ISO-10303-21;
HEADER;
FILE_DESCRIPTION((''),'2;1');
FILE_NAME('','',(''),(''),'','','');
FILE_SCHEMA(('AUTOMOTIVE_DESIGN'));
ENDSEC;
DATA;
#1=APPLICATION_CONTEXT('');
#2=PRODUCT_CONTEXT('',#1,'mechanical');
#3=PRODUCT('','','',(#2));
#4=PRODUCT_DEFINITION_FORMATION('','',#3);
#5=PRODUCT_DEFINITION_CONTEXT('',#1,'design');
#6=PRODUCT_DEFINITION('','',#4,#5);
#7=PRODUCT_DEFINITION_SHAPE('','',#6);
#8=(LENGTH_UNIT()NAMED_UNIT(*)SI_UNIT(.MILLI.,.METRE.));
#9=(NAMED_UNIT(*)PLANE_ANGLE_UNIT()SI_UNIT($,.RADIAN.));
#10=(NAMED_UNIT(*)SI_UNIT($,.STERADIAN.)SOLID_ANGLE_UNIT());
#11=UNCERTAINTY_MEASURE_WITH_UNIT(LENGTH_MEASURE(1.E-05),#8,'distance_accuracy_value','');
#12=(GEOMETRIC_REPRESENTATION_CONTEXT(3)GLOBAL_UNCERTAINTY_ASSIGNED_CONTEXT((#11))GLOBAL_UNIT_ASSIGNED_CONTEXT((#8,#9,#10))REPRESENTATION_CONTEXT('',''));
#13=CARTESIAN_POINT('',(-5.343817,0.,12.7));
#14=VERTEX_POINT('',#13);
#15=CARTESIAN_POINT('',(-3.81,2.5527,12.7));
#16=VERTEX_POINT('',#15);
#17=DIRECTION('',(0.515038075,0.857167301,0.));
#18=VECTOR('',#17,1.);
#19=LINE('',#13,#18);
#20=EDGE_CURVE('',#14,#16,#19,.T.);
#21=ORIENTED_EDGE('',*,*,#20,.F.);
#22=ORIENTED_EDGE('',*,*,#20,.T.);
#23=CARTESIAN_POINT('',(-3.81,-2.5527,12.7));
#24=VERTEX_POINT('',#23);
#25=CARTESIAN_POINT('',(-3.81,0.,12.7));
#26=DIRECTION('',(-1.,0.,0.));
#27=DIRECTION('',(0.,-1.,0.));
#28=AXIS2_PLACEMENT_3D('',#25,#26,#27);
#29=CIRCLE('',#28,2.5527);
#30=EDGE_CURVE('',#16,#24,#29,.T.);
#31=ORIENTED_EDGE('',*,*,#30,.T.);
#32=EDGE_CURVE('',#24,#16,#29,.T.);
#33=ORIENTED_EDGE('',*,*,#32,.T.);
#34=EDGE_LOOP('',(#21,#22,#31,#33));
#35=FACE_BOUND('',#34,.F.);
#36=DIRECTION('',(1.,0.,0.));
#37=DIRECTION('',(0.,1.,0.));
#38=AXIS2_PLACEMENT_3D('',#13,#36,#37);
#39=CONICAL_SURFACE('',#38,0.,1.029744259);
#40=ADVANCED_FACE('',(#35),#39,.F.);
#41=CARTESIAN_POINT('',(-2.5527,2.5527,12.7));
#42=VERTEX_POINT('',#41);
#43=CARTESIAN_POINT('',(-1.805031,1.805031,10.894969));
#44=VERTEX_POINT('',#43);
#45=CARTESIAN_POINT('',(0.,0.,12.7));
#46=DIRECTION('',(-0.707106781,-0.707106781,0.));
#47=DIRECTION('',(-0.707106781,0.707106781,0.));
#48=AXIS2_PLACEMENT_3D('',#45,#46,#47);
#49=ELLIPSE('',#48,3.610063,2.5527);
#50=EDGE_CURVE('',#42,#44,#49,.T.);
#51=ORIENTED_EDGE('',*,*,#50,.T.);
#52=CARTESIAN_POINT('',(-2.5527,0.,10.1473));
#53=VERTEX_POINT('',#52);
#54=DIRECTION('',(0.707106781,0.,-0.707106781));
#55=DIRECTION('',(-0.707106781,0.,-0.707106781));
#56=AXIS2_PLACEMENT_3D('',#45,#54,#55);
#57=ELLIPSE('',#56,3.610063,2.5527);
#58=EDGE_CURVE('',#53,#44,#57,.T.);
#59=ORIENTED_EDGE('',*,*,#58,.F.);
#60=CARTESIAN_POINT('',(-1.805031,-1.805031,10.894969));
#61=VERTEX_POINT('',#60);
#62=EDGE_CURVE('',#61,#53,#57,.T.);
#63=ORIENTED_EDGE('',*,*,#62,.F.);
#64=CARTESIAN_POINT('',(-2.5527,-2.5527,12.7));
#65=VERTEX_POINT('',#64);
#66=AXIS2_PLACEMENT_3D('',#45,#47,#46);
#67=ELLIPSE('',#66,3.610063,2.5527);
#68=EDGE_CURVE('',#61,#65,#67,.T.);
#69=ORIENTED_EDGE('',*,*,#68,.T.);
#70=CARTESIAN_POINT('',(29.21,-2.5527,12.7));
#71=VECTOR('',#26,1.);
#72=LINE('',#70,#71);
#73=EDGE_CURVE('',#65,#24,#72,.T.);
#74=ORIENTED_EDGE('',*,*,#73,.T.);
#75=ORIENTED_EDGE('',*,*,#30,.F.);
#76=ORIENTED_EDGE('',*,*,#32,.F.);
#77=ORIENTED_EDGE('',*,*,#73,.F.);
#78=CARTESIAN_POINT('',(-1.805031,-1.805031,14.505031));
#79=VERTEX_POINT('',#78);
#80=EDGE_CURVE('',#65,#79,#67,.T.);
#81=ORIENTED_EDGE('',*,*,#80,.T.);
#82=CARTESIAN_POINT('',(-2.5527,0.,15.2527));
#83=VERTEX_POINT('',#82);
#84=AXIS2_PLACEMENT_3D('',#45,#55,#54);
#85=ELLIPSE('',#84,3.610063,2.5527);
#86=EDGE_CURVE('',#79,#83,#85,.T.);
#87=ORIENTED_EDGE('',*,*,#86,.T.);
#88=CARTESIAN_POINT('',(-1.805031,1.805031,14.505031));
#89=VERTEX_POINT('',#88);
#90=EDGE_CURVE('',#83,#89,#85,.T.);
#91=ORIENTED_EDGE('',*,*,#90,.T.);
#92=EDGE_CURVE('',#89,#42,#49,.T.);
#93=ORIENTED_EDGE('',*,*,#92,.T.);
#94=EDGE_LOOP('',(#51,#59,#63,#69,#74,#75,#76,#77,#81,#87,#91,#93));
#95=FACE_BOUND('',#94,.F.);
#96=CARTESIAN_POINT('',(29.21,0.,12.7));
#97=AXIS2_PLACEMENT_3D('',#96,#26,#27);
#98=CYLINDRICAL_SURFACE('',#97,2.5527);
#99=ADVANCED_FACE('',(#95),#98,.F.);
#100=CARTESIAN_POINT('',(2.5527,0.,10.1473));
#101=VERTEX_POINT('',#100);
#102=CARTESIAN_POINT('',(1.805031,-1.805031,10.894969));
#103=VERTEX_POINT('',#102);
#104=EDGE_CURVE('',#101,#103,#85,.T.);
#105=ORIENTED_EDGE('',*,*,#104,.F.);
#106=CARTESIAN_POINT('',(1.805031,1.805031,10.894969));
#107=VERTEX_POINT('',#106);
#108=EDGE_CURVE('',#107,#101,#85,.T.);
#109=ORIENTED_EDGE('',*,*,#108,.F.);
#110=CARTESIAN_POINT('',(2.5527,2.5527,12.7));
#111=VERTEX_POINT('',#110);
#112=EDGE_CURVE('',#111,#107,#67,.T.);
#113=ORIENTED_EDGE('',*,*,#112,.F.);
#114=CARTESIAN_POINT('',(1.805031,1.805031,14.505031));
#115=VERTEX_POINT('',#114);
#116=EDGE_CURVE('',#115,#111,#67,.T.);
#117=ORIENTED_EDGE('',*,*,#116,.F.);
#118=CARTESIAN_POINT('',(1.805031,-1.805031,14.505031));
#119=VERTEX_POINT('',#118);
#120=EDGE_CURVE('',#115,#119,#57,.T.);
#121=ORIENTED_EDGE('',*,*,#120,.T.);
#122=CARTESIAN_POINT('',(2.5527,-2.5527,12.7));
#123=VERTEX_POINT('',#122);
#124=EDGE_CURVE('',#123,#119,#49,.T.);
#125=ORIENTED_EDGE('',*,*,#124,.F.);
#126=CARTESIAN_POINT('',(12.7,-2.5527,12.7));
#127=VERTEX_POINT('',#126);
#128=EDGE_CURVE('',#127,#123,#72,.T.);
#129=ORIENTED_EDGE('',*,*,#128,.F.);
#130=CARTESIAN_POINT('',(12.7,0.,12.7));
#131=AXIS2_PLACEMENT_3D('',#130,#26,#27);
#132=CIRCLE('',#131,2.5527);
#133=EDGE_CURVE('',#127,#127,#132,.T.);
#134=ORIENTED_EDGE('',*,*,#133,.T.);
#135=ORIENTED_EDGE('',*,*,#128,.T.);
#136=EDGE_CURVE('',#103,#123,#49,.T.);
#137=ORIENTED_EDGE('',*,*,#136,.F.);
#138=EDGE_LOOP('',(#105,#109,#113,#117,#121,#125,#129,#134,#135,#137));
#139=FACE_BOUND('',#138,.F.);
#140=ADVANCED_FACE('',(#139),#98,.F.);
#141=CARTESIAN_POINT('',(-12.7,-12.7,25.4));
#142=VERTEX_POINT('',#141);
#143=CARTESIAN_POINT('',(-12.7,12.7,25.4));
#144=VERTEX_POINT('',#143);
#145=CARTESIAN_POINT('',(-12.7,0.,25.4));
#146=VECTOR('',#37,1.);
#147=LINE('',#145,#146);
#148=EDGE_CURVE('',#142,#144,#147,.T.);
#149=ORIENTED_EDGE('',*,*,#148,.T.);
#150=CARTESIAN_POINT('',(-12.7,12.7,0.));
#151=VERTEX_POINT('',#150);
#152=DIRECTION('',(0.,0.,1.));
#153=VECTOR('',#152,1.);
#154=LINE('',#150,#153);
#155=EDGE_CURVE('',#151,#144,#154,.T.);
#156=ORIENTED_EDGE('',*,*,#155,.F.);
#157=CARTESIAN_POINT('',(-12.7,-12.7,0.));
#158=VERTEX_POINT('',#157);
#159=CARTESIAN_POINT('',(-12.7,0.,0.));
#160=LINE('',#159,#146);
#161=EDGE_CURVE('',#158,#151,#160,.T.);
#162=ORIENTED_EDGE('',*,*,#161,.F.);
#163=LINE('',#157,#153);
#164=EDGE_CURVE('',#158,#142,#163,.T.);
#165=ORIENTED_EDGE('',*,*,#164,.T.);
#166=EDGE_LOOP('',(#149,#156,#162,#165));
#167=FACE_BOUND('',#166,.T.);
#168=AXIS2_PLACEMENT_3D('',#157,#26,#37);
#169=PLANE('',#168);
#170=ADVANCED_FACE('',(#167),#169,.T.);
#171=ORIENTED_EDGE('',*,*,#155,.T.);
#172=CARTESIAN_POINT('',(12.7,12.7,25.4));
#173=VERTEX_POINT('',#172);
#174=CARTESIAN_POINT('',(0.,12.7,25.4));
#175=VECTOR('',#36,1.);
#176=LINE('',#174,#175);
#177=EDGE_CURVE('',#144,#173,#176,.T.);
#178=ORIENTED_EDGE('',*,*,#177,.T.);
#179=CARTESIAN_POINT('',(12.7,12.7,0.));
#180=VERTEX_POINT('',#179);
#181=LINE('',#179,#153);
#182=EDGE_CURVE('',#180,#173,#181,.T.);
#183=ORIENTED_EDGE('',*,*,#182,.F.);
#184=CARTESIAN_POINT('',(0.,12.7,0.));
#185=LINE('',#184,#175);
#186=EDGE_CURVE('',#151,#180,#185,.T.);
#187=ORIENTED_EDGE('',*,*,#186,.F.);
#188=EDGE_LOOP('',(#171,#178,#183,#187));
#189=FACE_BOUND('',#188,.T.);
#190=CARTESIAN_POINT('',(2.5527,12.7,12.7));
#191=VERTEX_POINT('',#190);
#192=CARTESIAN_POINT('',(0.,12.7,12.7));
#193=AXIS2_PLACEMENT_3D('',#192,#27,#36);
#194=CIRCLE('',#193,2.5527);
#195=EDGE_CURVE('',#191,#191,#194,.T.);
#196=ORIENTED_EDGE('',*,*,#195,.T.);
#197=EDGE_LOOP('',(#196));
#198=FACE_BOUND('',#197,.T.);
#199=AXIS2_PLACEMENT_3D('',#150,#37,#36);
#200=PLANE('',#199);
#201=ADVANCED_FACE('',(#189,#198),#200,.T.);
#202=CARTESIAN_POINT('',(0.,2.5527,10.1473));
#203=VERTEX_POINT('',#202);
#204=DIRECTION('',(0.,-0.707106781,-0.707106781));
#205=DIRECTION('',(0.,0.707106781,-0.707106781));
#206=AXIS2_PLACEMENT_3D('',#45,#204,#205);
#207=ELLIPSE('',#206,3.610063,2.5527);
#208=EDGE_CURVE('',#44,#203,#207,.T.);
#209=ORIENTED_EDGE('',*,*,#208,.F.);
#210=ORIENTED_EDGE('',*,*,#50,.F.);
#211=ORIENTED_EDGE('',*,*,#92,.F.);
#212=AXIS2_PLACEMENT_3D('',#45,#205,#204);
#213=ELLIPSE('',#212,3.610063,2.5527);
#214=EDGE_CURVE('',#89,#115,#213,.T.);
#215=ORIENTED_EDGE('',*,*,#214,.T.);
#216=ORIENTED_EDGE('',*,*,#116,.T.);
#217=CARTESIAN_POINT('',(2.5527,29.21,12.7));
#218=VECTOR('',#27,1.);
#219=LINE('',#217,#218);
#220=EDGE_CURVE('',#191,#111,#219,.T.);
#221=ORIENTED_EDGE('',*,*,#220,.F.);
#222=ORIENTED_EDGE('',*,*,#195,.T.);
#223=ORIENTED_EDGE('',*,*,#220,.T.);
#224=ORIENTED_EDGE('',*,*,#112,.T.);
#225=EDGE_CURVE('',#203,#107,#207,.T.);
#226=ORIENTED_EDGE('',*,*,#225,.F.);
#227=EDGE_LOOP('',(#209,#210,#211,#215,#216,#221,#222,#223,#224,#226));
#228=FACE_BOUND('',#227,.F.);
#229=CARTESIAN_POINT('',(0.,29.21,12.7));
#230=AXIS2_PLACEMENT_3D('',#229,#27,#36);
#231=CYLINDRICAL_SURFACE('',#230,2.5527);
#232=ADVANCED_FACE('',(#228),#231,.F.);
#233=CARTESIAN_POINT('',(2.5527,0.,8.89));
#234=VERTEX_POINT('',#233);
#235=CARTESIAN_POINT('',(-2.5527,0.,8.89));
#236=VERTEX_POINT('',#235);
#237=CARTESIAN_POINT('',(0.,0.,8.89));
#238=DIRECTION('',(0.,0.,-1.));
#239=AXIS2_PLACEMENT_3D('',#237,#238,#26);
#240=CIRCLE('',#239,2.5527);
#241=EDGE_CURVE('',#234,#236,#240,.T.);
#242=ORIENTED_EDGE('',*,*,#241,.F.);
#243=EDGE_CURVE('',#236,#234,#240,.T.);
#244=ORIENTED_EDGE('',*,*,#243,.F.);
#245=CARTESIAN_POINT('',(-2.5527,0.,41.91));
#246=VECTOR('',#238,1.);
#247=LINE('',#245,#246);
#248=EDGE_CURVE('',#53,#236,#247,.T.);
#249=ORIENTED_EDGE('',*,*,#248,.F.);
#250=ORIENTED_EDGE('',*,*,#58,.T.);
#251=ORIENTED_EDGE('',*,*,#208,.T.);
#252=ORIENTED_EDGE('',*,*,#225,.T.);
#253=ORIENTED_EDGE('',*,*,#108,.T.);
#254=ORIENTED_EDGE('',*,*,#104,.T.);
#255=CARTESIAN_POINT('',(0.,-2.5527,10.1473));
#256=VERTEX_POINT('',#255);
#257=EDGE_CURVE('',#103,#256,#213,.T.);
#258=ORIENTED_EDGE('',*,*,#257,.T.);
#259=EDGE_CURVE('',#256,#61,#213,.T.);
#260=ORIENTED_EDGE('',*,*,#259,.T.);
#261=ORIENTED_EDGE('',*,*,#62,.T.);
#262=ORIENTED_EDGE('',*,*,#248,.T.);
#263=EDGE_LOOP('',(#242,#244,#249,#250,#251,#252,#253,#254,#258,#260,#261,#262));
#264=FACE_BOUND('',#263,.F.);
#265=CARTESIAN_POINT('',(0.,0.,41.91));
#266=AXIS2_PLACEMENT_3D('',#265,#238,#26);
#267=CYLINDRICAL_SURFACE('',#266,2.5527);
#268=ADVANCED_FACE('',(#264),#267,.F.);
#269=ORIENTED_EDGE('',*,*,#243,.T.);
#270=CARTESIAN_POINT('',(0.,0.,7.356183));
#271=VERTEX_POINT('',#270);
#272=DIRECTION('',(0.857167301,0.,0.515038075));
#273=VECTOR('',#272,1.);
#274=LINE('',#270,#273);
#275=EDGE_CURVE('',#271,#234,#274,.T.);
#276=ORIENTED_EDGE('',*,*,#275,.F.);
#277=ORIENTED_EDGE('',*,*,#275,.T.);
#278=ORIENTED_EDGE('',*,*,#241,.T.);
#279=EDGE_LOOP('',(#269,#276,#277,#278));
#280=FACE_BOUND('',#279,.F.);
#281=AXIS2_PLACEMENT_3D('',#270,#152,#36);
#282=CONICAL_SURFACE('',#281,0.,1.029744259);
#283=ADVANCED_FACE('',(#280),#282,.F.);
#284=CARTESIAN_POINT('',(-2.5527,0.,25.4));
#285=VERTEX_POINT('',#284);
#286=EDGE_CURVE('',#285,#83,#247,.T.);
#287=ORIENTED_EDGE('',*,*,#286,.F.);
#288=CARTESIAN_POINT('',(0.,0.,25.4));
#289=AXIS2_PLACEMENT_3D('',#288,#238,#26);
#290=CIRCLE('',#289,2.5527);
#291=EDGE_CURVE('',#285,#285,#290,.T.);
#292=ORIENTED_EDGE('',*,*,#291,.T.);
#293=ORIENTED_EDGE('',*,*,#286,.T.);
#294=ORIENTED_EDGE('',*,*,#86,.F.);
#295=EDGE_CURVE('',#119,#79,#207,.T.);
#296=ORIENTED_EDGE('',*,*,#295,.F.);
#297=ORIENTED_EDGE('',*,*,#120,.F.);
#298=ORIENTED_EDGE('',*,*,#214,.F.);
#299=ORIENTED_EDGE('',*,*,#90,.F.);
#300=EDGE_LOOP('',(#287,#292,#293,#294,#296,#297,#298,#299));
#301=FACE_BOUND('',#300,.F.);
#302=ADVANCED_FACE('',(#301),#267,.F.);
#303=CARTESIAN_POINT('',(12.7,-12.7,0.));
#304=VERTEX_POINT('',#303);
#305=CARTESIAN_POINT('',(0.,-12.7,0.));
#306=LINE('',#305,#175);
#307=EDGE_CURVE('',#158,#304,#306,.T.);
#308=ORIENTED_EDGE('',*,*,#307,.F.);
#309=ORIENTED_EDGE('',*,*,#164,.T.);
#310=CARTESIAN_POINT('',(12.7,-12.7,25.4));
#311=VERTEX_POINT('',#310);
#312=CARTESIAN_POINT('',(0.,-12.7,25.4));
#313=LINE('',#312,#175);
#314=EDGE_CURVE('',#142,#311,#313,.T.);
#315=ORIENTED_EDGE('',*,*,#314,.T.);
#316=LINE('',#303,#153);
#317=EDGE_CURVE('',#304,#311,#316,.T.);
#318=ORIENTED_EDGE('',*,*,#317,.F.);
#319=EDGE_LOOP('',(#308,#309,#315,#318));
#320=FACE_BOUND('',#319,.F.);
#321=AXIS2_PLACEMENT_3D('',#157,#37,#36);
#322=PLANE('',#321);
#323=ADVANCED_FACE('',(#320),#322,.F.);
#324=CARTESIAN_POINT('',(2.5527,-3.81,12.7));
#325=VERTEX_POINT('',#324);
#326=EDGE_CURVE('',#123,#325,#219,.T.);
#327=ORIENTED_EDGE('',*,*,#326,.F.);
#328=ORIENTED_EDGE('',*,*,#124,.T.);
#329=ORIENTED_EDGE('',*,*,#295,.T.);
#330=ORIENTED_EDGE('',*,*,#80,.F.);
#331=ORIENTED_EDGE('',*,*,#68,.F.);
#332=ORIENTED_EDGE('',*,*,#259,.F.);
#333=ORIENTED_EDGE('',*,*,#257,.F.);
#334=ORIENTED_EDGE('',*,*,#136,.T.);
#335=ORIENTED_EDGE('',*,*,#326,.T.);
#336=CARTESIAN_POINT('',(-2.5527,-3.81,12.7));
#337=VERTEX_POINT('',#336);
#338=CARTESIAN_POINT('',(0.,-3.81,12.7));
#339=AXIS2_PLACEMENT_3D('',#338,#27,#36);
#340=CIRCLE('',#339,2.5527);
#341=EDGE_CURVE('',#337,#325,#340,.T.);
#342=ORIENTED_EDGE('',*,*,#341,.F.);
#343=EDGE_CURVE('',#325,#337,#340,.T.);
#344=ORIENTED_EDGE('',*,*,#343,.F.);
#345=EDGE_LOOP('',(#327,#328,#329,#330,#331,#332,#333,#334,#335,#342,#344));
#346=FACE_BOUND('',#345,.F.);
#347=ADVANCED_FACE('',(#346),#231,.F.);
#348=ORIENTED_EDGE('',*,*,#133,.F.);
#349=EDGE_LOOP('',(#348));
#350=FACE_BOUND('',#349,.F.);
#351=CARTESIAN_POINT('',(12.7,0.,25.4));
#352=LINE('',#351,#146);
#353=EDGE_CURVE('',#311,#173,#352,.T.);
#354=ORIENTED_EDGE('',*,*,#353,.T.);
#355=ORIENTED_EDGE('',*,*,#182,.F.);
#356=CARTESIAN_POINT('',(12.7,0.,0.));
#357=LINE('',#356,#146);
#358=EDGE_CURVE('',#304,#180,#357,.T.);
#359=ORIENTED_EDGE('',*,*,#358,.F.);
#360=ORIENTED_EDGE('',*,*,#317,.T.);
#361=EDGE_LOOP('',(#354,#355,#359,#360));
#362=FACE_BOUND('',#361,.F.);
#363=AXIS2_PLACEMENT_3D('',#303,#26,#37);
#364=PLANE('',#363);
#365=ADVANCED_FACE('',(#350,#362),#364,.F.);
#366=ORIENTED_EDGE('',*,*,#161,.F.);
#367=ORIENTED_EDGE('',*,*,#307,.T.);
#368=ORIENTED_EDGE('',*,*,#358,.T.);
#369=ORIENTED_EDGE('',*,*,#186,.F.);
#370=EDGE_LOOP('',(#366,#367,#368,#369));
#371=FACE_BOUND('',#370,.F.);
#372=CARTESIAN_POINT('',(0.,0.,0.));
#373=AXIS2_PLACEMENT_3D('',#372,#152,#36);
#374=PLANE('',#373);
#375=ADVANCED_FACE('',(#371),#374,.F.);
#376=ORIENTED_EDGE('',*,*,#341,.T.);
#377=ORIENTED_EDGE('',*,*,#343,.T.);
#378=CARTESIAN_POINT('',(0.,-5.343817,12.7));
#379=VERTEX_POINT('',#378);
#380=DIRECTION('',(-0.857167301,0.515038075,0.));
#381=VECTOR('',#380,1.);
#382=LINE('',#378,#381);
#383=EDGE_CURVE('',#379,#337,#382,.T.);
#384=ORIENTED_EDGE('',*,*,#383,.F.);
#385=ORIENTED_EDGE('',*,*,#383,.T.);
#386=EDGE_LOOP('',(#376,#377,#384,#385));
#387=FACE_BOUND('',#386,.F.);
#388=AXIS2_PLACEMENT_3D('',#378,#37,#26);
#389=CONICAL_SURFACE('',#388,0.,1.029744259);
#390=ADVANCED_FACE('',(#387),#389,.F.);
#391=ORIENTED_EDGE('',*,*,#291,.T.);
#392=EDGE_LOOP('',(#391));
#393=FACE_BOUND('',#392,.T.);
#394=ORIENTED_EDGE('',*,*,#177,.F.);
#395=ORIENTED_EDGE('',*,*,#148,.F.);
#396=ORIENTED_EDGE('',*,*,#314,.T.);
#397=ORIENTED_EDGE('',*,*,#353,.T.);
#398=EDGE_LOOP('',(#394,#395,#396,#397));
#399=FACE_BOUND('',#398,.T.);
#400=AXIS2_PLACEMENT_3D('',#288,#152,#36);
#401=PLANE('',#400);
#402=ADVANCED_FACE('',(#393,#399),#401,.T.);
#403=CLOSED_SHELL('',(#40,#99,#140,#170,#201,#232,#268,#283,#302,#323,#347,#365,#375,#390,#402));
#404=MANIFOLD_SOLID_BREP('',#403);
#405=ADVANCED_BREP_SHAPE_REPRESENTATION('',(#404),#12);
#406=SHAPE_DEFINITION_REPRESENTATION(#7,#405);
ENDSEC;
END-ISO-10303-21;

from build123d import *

# Parameters (mm, degrees)
F0_W           = 25.4
F0_H           = 25.4
F1_DEPTH       = 25.4
F5_D           = 5.1054
F5_DEPTH       = 16.51
F5_TIP         = 1.5338169022
F5_ON_F3_D     = 5.1054
F5_ON_F3_DEPTH = 16.51
F5_ON_F3_TIP   = 1.5338169022
F5_ON_F4_D     = 5.1054
F5_ON_F4_DEPTH = 16.51
F5_ON_F4_TIP   = 1.5338169022


with BuildPart() as f1:
    # F0 (on Top) → F1 (new body)
    with BuildSketch(Plane.XY):
        Rectangle(F0_W, F0_H)
    extrude(amount=F1_DEPTH)

    # F5
    with Locations(Plane.XY.offset(25.4)):
        with Locations((0, 0)):
            Hole(F5_D / 2, depth=F5_DEPTH)
            with Locations((0, 0, -(F5_DEPTH + F5_TIP / 2))):  # 118° drill point
                Cone(0, F5_D / 2, F5_TIP, mode=Mode.SUBTRACT)

    # F5 on F3
    with Locations(Plane.YZ.offset(12.7)):
        with Locations((0, 12.7)):
            Hole(F5_ON_F3_D / 2, depth=F5_ON_F3_DEPTH)
            with Locations((0, 0, -(F5_ON_F3_DEPTH + F5_ON_F3_TIP / 2))):  # 118° drill point
                Cone(0, F5_ON_F3_D / 2, F5_ON_F3_TIP, mode=Mode.SUBTRACT)

    # F5 on F4
    with Locations(Plane(origin=(0, 12.7, 0), x_dir=(-1, 0, 0), z_dir=(0, 1, 0))):
        with Locations((0, 12.7)):
            Hole(F5_ON_F4_D / 2, depth=F5_ON_F4_DEPTH)
            with Locations((0, 0, -(F5_ON_F4_DEPTH + F5_ON_F4_TIP / 2))):  # 118° drill point
                Cone(0, F5_ON_F4_D / 2, F5_ON_F4_TIP, mode=Mode.SUBTRACT)


solid = f1.part
